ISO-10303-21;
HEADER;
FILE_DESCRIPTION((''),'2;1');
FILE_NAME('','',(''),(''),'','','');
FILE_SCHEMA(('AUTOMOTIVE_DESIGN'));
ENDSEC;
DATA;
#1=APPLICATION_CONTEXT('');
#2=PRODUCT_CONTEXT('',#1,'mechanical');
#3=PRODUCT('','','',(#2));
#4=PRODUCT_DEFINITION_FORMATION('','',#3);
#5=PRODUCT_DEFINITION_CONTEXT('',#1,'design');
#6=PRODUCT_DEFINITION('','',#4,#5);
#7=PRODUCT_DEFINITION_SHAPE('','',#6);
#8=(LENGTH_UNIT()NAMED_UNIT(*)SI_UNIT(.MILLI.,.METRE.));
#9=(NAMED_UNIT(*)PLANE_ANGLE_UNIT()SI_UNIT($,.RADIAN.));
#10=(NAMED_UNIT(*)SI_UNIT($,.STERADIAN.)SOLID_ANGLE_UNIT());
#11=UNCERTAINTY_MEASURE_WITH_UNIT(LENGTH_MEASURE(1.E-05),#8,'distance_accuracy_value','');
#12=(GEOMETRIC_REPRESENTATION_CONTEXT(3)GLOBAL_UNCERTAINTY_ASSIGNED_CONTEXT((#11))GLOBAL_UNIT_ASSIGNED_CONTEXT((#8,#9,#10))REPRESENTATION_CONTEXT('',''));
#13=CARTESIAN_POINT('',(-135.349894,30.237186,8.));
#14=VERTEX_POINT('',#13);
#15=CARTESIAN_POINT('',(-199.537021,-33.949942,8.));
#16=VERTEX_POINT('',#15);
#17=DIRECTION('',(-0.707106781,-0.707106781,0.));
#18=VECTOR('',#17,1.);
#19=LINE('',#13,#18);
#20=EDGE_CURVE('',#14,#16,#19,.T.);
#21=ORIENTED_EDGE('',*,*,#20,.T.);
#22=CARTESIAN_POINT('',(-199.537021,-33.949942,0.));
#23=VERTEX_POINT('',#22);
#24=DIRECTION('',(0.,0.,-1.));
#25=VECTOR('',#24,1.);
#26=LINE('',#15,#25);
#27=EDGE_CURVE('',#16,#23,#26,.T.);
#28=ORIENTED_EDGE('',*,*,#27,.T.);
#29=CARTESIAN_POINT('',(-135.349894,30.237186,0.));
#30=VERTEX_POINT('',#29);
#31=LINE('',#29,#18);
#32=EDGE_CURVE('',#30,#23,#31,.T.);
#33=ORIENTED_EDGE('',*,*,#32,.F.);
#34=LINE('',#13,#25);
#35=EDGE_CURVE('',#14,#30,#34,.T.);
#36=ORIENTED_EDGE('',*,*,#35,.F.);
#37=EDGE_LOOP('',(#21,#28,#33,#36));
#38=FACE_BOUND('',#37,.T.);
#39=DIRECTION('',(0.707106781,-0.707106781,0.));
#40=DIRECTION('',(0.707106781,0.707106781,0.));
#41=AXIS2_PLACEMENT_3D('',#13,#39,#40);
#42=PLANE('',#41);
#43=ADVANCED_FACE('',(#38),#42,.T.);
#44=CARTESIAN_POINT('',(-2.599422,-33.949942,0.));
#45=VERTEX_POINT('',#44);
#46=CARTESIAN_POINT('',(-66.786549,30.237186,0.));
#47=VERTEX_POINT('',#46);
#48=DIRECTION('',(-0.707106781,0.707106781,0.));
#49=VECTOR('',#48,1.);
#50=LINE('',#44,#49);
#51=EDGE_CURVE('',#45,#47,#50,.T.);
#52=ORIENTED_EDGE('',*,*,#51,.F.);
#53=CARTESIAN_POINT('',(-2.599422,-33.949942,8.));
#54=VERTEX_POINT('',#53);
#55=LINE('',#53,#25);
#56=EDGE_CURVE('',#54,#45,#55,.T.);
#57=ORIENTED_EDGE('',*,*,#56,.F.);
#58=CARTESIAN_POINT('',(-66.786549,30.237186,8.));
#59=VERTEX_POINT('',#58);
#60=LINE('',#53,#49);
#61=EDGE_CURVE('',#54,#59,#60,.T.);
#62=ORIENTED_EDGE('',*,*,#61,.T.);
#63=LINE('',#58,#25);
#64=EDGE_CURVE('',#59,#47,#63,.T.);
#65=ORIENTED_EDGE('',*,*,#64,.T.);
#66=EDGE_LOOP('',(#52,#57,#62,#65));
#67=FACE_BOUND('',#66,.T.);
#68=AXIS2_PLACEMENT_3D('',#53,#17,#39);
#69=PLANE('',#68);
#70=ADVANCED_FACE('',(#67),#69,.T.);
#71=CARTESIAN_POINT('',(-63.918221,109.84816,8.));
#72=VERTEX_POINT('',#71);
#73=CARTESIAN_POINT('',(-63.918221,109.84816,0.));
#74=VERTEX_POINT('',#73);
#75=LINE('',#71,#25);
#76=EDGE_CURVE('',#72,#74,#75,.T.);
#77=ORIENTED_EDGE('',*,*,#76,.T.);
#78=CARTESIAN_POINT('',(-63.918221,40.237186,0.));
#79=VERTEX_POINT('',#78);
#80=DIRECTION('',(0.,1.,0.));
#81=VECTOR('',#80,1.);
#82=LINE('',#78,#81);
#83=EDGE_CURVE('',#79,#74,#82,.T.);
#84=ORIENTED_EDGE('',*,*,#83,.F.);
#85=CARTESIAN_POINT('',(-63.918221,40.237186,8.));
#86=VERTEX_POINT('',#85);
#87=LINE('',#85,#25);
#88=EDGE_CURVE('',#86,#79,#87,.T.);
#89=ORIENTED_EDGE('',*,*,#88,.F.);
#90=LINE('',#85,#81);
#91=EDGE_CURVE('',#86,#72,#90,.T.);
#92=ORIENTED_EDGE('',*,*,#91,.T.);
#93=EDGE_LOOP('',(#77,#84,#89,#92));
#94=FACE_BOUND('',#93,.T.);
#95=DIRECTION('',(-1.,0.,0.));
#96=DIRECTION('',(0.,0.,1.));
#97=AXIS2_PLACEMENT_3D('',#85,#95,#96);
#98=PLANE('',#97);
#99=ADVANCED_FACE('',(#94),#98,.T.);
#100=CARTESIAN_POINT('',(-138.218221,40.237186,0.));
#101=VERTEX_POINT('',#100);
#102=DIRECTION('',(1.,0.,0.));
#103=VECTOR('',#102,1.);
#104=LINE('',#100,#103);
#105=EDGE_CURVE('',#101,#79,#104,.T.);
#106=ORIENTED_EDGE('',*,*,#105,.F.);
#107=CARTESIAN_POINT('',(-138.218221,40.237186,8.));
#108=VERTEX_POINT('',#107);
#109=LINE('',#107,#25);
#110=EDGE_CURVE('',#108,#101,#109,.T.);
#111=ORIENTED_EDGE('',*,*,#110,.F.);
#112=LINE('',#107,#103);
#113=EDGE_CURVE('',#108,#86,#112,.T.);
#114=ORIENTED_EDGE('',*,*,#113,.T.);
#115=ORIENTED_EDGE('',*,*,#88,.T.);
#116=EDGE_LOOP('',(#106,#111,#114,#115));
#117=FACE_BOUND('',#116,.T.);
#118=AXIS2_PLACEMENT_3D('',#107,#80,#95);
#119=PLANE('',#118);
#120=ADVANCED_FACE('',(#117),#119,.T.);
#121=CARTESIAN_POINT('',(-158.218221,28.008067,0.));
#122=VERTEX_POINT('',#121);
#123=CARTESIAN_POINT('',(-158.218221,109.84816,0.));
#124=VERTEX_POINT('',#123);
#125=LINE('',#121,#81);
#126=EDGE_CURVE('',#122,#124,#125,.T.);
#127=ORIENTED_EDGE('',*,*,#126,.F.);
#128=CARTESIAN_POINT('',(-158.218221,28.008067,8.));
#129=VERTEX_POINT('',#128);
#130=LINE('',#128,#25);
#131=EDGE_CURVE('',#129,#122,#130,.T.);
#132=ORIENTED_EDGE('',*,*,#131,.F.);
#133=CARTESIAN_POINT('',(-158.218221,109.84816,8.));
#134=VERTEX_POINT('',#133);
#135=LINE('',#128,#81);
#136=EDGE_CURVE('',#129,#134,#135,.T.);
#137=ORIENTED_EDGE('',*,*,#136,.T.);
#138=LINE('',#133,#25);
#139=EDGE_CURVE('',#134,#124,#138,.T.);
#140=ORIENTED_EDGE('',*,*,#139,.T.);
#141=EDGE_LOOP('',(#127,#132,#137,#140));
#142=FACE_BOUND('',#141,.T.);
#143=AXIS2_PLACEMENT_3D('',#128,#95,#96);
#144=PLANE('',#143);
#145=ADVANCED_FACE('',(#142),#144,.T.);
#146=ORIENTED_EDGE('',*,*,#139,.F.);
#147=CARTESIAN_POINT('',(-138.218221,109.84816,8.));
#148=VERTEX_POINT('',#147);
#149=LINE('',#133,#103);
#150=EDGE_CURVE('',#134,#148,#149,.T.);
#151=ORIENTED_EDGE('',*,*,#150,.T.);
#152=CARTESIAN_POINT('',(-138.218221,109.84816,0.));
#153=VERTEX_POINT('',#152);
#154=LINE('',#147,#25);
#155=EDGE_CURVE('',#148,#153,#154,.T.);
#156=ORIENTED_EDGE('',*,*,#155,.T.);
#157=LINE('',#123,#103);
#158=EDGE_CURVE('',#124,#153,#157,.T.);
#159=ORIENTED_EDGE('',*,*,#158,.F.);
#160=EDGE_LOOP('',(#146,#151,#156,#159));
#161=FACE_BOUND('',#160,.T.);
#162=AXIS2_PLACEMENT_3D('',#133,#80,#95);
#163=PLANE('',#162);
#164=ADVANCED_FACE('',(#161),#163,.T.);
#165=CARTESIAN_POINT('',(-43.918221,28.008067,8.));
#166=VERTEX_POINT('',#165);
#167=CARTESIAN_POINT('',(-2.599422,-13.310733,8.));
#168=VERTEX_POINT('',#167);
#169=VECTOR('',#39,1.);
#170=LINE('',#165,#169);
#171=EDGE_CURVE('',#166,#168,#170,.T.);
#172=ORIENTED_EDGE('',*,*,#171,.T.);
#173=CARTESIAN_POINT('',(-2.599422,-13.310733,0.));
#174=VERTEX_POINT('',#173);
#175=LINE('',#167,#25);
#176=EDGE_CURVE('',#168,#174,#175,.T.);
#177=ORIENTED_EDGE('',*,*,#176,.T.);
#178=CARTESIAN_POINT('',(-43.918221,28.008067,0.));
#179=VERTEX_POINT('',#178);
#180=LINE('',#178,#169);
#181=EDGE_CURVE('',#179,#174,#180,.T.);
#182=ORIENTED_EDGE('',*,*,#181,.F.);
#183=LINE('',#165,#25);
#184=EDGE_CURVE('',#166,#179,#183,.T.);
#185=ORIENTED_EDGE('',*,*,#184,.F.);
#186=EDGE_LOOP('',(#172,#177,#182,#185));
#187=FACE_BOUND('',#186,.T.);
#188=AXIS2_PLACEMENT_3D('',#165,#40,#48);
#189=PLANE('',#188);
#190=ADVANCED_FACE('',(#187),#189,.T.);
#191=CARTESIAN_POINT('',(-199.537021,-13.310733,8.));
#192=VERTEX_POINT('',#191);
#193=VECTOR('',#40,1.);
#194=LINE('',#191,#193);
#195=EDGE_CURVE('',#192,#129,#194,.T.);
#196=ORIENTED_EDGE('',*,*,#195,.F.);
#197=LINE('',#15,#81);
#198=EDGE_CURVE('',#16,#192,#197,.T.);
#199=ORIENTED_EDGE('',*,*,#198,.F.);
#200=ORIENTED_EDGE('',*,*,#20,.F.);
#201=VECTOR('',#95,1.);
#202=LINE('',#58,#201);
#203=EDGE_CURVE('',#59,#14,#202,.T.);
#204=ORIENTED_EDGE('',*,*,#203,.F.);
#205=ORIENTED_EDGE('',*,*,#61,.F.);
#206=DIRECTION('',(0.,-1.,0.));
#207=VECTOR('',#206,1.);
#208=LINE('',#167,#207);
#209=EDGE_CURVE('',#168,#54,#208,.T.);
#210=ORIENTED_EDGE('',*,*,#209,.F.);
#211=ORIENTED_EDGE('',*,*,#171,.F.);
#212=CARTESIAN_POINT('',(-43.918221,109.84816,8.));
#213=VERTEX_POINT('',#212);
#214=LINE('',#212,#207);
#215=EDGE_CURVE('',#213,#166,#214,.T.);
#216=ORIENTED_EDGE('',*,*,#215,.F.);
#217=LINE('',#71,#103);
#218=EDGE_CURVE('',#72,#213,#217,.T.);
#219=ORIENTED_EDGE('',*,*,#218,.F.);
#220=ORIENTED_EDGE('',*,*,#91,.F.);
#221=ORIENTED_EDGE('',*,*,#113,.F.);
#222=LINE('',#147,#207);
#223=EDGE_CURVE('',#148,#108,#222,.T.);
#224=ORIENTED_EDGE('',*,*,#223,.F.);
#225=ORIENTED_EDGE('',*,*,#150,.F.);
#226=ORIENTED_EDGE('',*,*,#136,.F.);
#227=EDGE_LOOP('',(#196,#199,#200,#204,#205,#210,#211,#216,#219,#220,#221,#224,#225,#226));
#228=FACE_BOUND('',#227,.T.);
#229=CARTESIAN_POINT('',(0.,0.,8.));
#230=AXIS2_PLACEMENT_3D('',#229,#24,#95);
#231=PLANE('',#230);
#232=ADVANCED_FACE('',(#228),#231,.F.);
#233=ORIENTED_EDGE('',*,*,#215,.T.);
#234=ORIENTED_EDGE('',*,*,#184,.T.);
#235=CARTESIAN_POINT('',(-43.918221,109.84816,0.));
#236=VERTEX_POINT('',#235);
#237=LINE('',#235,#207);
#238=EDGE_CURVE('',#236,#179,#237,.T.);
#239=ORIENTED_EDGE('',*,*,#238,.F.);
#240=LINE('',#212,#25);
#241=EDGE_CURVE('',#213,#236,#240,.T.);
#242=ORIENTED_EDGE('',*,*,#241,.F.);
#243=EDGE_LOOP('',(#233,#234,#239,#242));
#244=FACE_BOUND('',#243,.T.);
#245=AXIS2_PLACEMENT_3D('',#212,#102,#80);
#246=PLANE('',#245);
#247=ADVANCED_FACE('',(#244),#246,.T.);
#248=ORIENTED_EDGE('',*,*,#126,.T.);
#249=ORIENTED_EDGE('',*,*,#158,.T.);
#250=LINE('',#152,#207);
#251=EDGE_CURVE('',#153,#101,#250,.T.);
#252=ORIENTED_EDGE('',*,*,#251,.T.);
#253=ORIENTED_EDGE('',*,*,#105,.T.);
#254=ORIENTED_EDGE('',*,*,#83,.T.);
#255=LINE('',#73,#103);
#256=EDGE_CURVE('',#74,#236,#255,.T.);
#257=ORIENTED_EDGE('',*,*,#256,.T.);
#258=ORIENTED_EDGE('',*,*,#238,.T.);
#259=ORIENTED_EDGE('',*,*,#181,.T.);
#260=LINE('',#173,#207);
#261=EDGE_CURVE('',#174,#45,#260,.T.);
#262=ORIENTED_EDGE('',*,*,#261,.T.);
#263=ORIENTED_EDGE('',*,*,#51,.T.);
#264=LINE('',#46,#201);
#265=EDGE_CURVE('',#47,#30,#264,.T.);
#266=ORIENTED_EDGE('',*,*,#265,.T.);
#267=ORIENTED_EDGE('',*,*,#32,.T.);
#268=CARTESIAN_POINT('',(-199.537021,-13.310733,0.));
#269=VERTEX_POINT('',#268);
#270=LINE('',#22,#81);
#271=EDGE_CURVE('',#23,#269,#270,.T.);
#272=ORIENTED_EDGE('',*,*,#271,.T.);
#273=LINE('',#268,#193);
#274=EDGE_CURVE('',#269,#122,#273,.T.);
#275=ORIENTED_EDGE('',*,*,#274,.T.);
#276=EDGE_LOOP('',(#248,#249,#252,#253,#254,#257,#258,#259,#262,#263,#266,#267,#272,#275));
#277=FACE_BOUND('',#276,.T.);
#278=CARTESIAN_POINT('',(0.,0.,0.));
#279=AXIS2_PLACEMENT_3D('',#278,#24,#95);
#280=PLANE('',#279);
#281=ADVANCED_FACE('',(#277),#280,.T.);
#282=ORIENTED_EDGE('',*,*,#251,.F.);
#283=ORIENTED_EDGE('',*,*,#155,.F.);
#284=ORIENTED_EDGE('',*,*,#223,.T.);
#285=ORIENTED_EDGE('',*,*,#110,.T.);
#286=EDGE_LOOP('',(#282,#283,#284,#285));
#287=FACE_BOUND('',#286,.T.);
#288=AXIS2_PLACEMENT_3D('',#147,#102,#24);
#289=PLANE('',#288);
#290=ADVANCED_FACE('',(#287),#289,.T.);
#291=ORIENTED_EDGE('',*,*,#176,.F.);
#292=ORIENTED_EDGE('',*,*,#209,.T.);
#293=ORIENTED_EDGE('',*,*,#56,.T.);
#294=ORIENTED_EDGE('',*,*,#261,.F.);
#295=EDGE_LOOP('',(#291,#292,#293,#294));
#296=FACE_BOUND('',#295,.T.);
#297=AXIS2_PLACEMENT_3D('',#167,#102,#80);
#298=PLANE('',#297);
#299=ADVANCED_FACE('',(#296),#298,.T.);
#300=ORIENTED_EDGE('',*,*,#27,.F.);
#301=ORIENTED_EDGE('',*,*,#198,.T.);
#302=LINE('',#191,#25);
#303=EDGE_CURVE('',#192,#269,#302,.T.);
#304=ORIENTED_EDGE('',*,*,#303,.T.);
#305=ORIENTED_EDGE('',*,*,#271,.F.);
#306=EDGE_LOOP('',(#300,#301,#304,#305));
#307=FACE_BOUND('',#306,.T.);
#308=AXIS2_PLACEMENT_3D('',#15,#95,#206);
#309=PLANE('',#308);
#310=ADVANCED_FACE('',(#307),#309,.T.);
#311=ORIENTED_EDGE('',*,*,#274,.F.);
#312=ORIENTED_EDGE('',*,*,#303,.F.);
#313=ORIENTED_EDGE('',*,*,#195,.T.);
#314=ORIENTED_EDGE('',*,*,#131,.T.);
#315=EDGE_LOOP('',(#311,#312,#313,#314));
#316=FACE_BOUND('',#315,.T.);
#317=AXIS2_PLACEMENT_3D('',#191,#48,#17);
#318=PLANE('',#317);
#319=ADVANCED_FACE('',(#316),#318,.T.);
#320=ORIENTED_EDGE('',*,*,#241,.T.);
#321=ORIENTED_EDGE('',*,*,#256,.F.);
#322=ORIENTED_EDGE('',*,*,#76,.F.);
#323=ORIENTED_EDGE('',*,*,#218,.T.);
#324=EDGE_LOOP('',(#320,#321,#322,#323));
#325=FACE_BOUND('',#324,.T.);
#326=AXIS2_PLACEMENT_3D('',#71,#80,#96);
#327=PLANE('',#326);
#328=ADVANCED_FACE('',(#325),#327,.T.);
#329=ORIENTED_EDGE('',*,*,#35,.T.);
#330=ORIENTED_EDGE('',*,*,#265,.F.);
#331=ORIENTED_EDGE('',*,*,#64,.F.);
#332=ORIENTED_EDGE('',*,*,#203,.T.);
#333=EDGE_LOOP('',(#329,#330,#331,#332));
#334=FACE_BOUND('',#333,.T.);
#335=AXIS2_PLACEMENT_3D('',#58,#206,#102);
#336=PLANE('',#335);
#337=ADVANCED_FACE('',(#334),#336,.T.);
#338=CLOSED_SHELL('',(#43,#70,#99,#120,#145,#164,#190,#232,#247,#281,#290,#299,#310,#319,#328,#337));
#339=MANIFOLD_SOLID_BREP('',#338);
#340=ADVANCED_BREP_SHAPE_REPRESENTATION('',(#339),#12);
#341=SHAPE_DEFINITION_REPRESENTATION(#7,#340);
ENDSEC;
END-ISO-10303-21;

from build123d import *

# Parameters (mm, degrees)
BOSS_EXTRU_1_DEPTH = 8


with BuildPart() as part:
    # Esquisse1 → Boss.-Extru.1 (new body)
    with BuildSketch(Plane(origin=(0, 0, 0), x_dir=(-1, 0, 0), z_dir=(0, 0, -1))):
        Polygon((43.918221478, 28.008066704), (2.599421562, -13.310733211), (2.599421562, -33.949941515), (66.786548928, 30.237185851), (135.349894027, 30.237185851), (199.537021393, -33.949941515), (199.537021393, -13.310733211), (158.218221478, 28.008066704), (158.218221478, 109.848159974), (138.218221478, 109.848159974), (138.218221478, 40.237185851), (63.918221478, 40.237185851), (63.918221478, 109.848159974), (43.918221478, 109.848159974), align=None)
    extrude(amount=-BOSS_EXTRU_1_DEPTH)


solid = part.part
